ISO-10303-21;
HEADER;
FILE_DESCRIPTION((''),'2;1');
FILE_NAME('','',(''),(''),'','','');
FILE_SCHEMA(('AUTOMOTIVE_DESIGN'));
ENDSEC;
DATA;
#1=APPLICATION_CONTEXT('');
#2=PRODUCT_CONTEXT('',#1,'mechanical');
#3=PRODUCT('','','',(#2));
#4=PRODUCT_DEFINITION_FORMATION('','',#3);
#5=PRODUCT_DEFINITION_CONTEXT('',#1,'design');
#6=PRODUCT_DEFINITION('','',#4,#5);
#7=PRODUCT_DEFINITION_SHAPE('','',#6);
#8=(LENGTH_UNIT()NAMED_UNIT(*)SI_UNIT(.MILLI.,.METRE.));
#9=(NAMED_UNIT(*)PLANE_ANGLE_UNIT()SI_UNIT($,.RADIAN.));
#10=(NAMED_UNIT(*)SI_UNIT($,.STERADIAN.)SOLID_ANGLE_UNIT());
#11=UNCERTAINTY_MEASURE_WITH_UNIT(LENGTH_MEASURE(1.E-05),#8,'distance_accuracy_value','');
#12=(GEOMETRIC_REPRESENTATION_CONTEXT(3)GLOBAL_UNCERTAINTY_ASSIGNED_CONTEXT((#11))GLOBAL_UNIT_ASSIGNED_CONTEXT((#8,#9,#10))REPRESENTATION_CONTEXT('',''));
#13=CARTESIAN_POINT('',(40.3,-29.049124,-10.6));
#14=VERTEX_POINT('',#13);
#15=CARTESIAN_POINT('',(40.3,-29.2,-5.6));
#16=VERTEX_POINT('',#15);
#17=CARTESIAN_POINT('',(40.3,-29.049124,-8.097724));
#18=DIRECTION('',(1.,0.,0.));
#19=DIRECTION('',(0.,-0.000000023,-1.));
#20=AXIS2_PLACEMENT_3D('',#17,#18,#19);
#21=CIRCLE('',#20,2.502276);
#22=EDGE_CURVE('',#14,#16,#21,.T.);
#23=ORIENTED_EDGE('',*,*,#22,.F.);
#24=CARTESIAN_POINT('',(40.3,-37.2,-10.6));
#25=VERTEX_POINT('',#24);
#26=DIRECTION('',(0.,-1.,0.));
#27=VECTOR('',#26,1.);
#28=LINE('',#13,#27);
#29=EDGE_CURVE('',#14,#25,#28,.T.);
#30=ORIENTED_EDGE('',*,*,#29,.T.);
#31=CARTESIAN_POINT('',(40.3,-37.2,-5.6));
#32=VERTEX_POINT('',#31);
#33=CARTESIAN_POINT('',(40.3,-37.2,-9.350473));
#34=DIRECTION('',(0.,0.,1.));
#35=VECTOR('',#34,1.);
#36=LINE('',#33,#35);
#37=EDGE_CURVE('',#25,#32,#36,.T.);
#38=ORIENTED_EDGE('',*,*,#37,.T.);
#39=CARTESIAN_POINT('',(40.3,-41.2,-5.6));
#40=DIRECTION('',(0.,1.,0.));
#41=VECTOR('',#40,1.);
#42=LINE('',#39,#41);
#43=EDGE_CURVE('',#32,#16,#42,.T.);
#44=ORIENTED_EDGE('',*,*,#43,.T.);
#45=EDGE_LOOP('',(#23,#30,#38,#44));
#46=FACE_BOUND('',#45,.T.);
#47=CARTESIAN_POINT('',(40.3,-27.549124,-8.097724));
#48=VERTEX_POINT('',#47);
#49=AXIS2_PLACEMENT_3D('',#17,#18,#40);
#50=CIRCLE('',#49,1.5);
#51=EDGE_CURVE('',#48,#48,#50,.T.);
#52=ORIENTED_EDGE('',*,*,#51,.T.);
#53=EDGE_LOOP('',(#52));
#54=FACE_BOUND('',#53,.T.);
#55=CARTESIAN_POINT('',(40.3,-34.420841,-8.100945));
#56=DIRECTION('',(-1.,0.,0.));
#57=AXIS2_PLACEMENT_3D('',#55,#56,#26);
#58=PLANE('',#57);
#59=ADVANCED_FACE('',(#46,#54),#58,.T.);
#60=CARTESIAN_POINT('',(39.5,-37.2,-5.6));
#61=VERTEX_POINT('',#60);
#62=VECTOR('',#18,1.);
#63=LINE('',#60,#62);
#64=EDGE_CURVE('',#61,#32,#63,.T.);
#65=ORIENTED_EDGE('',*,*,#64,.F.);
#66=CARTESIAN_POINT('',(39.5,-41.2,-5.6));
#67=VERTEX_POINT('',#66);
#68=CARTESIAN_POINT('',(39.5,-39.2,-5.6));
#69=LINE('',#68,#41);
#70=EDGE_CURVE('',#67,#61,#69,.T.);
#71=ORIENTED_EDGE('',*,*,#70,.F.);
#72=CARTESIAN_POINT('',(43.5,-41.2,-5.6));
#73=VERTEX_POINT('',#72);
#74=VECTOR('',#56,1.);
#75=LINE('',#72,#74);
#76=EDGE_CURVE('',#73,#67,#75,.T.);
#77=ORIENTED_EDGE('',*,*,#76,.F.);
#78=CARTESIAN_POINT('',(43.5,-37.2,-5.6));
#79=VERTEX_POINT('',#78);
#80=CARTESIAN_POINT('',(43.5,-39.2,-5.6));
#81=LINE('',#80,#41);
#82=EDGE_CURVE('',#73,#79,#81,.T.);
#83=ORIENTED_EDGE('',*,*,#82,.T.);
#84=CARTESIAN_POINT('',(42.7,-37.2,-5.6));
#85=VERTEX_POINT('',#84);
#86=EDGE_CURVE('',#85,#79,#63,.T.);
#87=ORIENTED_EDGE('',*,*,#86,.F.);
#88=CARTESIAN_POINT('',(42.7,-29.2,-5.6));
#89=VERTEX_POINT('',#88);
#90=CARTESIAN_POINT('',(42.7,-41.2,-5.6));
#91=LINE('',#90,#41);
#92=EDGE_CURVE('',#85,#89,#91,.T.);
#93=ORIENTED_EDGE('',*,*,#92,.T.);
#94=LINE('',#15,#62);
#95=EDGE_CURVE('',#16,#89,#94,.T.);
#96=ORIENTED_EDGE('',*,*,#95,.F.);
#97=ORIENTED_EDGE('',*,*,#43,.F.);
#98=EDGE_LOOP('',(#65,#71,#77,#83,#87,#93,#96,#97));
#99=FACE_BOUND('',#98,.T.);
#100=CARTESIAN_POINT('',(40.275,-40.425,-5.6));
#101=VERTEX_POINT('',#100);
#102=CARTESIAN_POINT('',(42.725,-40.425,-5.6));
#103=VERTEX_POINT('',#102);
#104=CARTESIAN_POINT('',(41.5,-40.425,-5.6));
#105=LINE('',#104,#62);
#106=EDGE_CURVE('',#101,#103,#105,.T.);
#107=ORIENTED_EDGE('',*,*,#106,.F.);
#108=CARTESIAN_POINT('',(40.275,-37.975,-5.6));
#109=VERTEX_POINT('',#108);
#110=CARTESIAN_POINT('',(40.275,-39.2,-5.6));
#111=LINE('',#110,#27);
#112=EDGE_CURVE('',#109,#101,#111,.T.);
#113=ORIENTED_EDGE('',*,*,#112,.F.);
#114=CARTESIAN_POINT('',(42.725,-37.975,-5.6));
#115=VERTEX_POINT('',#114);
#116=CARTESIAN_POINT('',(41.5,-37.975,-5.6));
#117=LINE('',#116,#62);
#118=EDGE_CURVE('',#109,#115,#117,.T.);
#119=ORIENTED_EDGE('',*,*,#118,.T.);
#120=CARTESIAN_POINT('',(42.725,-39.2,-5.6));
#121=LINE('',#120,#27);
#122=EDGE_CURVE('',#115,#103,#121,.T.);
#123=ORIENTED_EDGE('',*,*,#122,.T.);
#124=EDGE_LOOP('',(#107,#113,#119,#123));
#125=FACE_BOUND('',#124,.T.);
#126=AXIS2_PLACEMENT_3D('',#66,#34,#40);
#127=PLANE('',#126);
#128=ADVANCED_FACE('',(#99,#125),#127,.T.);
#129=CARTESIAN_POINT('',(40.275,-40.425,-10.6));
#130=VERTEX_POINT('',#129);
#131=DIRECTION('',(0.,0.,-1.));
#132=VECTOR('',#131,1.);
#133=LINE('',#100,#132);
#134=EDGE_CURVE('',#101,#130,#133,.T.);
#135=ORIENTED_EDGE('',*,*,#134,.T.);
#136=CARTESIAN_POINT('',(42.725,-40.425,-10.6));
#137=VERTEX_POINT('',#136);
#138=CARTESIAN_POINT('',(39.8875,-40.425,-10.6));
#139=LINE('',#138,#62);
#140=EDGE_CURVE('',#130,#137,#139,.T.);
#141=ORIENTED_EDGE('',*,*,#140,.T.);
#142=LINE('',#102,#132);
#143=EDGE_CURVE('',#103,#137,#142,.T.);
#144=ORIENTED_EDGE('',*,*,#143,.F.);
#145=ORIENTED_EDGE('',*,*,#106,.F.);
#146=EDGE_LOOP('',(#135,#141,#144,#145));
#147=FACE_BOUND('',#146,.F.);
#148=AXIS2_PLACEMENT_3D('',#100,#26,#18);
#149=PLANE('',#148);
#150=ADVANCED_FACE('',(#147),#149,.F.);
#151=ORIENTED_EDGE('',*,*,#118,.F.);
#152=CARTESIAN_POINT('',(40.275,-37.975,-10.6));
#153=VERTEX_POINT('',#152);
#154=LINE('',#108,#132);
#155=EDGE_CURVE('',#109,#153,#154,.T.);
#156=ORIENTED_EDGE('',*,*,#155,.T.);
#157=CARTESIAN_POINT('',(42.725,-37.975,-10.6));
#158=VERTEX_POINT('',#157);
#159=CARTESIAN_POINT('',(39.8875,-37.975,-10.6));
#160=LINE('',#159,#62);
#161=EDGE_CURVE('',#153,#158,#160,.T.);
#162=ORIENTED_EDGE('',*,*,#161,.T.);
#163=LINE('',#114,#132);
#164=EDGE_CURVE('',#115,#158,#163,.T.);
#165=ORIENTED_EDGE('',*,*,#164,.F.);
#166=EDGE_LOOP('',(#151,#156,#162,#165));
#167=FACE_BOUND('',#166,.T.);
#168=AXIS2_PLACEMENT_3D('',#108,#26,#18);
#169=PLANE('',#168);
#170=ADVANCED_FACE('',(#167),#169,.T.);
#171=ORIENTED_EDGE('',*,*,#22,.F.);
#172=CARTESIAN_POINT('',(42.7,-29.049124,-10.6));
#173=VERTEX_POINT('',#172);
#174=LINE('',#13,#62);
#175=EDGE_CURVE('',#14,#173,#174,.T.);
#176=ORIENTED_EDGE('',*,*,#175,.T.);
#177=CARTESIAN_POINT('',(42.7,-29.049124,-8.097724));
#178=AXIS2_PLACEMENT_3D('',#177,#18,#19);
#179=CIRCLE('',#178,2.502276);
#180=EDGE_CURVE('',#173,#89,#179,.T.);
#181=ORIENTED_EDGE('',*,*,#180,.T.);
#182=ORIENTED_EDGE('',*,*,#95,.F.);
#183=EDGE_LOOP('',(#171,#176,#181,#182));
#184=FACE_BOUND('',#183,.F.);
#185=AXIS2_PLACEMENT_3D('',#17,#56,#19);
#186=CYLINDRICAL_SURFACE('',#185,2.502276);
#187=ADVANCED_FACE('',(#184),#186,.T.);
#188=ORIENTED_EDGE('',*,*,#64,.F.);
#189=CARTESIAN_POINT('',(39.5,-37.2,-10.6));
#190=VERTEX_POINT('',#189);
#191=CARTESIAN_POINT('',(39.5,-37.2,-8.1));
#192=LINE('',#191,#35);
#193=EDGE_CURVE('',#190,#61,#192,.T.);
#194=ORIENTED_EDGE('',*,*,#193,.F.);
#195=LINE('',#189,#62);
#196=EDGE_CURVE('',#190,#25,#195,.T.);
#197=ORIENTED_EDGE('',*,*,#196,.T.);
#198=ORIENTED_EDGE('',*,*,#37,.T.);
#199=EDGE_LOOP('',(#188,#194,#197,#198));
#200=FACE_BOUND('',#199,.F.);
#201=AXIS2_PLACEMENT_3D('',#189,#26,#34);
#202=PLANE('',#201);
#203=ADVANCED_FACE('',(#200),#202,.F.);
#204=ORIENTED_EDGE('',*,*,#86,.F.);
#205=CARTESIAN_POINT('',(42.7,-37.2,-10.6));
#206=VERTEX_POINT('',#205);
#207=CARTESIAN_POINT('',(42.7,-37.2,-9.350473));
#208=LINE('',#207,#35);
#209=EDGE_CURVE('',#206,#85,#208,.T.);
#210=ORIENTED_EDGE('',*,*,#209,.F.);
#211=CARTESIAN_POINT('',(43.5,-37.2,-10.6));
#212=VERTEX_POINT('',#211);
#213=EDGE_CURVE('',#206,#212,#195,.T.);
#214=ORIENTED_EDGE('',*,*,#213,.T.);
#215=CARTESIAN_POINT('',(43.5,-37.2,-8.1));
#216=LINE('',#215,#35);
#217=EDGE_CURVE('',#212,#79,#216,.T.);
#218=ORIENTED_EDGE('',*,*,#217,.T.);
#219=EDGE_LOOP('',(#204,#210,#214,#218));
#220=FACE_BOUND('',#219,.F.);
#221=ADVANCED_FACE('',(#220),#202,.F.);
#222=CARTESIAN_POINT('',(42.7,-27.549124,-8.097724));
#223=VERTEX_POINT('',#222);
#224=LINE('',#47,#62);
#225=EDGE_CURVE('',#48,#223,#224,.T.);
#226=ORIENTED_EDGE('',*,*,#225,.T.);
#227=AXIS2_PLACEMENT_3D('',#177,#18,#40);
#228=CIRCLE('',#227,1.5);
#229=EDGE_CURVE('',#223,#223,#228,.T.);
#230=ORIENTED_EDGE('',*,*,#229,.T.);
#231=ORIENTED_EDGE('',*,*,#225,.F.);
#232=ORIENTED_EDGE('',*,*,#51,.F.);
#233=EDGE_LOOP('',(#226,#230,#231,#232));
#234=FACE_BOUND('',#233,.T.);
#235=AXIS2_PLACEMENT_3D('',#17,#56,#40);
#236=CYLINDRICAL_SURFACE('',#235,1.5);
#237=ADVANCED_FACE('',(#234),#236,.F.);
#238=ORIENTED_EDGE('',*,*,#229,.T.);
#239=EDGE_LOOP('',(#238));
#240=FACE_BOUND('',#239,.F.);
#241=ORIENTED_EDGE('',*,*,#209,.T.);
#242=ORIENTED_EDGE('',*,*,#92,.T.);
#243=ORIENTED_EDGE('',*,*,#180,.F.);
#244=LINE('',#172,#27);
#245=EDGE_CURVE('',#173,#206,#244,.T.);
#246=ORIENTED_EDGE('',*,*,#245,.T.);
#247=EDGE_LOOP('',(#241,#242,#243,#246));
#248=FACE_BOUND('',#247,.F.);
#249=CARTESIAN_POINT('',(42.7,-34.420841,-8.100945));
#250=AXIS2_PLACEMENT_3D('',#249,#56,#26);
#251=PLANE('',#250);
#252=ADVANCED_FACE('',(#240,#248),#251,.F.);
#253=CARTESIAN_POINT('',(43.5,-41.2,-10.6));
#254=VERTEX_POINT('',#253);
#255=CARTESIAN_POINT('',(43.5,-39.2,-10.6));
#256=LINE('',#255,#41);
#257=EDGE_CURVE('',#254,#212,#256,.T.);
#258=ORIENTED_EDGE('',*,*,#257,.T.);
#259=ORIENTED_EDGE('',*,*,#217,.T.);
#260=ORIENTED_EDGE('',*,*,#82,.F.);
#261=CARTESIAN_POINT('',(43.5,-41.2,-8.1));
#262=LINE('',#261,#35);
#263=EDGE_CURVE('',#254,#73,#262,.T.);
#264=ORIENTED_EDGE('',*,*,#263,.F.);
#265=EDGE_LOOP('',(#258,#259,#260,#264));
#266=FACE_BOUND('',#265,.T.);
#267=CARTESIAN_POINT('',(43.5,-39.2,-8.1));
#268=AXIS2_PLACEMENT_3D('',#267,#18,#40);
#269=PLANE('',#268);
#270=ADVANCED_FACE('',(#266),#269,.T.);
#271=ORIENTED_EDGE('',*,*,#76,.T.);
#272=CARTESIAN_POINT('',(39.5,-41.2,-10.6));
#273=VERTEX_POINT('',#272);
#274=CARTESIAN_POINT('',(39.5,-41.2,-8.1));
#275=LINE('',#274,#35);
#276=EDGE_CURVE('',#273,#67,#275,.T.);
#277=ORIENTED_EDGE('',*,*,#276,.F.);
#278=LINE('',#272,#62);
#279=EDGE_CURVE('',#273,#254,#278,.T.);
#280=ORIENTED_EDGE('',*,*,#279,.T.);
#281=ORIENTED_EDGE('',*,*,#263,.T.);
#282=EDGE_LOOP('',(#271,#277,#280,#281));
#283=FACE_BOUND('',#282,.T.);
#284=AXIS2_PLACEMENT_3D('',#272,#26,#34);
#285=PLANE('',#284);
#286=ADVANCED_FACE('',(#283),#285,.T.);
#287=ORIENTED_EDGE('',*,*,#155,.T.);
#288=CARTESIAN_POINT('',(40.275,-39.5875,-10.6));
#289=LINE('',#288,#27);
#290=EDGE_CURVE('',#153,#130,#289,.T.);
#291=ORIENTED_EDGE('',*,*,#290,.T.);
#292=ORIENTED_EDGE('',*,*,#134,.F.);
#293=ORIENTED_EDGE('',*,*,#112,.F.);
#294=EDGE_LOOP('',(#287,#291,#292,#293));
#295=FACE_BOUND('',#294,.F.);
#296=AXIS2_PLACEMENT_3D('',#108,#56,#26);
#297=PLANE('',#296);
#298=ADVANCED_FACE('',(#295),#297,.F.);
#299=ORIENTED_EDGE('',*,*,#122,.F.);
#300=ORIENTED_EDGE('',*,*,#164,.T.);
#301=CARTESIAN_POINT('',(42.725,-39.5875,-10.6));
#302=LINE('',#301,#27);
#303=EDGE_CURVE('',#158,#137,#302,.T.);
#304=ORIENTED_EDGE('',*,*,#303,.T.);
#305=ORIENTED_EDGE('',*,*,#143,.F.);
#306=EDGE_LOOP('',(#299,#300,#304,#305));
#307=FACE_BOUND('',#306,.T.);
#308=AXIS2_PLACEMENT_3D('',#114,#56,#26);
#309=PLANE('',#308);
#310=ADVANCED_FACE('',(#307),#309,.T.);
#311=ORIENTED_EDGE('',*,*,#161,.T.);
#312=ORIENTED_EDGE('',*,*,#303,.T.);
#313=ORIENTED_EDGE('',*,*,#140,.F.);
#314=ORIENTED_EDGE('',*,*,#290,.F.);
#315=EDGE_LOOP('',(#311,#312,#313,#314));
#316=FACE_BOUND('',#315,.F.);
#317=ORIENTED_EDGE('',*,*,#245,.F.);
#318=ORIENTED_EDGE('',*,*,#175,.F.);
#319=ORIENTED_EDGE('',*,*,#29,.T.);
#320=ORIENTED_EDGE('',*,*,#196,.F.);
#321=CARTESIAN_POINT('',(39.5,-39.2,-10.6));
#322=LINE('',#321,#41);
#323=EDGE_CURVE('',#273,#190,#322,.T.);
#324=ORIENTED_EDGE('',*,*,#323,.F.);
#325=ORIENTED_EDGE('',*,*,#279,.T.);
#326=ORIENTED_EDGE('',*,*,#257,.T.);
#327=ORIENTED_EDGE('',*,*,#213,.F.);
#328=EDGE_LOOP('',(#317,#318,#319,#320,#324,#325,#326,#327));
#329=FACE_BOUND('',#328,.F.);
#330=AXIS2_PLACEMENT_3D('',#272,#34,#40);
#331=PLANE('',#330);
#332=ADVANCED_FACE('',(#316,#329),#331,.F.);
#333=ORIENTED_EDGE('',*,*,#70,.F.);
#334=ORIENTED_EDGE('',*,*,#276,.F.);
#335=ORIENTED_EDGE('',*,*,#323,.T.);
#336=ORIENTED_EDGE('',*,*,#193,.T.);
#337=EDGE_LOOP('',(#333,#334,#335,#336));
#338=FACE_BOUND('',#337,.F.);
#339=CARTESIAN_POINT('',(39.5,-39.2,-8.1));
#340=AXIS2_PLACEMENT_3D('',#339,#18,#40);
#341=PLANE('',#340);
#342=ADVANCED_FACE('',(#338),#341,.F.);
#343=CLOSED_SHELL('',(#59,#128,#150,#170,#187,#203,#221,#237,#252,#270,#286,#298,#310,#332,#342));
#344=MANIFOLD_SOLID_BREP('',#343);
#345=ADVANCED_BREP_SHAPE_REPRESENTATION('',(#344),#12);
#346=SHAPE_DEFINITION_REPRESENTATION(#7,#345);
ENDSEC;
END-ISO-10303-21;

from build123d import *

# Parameters (mm, degrees)
SKETCH018_R             = 1.5
PAD012_DEPTH            = 2.4
BOX008_W                = 4
BOX008_H                = 5
BOX008_DEPTH            = 4
SKETCH019_W             = 2.45
SKETCH019_H             = 2.45
POCKET009_DEPTH         = 5.001
BODY005_PLACEMENT_ANGLE = 90


with BuildPart() as part:
    # Sketch018 → Pad012 (new body)
    with BuildSketch(Plane.XZ):
        with BuildLine():
            Line((-6, 5), (6, 5))
            ThreePointArc((6.150876, 0), (8.652014, 2.577748), (6, 5))
            Line((6.150876, 0), (-6, 0))
            Line((-6, 0), (-6, 5))
        make_face()
        with Locations((6.150876, 2.502276)):
            Circle(SKETCH018_R, mode=Mode.SUBTRACT)
    extrude(amount=PAD012_DEPTH)

    # Box008 → Box008 (join)
    with BuildSketch(Plane(origin=(-6, 0.8, 0), x_dir=(1, 0, 0), z_dir=(0, -1, 0))):
        with Locations((2, 2.5)):
            Rectangle(BOX008_W, BOX008_H)
    extrude(amount=BOX008_DEPTH)

    # Sketch019 (on Face13 of Box008) → Pocket009 (cut, through all)
    with BuildSketch(Plane(origin=(-6, 0.8, 5), x_dir=(-1, 0, 0), z_dir=(0, 0, 1))):
        with Locations((-2, 2)):
            Rectangle(SKETCH019_W, SKETCH019_H)
    extrude(amount=-POCKET009_DEPTH, mode=Mode.SUBTRACT)


with BuildPart() as part_1:
    # Body005 placement: moved
    add(part.part.moved(Location((40.3, -35.2, -10.6))).rotate(Axis((40.3, -35.2, -10.6), (0, 0, 1)), BODY005_PLACEMENT_ANGLE))


solid = part_1.part
